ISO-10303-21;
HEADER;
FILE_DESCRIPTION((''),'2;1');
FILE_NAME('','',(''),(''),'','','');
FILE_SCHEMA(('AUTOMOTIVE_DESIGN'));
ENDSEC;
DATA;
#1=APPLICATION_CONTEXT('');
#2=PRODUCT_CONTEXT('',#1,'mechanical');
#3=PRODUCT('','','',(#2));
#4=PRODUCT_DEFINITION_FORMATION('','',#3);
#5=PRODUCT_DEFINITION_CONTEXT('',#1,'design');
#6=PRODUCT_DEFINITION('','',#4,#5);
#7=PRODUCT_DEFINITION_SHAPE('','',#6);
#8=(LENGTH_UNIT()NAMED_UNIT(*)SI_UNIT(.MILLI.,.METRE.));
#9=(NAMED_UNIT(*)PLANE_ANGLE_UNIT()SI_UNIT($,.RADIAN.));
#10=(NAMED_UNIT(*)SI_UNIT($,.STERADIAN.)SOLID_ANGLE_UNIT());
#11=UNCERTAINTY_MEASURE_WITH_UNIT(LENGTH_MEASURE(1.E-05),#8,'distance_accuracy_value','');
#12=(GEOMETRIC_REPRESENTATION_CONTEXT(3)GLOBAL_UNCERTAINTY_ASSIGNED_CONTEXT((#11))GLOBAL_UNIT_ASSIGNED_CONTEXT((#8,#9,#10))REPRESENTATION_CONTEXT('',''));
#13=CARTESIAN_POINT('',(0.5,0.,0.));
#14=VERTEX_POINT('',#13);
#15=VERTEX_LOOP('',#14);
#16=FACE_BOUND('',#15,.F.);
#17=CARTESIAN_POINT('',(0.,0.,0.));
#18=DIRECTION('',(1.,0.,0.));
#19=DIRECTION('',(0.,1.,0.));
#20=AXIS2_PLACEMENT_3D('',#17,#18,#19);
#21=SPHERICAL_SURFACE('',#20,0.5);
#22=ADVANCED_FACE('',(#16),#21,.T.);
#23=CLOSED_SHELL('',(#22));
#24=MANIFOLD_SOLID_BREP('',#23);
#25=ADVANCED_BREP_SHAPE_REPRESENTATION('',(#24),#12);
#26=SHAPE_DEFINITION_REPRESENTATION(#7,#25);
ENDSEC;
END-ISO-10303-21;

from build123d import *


with BuildPart() as part:
    # RevolveS → Revolve 2 (revolve)
    with BuildSketch(Plane.XY):
        with BuildLine():
            Line((0.5, 0), (-0.5, 0))
            ThreePointArc((-0.5, 0), (0, 0.5), (0.5, 0))
        make_face()
    revolve(axis=Axis((0.5, 0, 0), (-1, 0, 0)))


solid = part.part
